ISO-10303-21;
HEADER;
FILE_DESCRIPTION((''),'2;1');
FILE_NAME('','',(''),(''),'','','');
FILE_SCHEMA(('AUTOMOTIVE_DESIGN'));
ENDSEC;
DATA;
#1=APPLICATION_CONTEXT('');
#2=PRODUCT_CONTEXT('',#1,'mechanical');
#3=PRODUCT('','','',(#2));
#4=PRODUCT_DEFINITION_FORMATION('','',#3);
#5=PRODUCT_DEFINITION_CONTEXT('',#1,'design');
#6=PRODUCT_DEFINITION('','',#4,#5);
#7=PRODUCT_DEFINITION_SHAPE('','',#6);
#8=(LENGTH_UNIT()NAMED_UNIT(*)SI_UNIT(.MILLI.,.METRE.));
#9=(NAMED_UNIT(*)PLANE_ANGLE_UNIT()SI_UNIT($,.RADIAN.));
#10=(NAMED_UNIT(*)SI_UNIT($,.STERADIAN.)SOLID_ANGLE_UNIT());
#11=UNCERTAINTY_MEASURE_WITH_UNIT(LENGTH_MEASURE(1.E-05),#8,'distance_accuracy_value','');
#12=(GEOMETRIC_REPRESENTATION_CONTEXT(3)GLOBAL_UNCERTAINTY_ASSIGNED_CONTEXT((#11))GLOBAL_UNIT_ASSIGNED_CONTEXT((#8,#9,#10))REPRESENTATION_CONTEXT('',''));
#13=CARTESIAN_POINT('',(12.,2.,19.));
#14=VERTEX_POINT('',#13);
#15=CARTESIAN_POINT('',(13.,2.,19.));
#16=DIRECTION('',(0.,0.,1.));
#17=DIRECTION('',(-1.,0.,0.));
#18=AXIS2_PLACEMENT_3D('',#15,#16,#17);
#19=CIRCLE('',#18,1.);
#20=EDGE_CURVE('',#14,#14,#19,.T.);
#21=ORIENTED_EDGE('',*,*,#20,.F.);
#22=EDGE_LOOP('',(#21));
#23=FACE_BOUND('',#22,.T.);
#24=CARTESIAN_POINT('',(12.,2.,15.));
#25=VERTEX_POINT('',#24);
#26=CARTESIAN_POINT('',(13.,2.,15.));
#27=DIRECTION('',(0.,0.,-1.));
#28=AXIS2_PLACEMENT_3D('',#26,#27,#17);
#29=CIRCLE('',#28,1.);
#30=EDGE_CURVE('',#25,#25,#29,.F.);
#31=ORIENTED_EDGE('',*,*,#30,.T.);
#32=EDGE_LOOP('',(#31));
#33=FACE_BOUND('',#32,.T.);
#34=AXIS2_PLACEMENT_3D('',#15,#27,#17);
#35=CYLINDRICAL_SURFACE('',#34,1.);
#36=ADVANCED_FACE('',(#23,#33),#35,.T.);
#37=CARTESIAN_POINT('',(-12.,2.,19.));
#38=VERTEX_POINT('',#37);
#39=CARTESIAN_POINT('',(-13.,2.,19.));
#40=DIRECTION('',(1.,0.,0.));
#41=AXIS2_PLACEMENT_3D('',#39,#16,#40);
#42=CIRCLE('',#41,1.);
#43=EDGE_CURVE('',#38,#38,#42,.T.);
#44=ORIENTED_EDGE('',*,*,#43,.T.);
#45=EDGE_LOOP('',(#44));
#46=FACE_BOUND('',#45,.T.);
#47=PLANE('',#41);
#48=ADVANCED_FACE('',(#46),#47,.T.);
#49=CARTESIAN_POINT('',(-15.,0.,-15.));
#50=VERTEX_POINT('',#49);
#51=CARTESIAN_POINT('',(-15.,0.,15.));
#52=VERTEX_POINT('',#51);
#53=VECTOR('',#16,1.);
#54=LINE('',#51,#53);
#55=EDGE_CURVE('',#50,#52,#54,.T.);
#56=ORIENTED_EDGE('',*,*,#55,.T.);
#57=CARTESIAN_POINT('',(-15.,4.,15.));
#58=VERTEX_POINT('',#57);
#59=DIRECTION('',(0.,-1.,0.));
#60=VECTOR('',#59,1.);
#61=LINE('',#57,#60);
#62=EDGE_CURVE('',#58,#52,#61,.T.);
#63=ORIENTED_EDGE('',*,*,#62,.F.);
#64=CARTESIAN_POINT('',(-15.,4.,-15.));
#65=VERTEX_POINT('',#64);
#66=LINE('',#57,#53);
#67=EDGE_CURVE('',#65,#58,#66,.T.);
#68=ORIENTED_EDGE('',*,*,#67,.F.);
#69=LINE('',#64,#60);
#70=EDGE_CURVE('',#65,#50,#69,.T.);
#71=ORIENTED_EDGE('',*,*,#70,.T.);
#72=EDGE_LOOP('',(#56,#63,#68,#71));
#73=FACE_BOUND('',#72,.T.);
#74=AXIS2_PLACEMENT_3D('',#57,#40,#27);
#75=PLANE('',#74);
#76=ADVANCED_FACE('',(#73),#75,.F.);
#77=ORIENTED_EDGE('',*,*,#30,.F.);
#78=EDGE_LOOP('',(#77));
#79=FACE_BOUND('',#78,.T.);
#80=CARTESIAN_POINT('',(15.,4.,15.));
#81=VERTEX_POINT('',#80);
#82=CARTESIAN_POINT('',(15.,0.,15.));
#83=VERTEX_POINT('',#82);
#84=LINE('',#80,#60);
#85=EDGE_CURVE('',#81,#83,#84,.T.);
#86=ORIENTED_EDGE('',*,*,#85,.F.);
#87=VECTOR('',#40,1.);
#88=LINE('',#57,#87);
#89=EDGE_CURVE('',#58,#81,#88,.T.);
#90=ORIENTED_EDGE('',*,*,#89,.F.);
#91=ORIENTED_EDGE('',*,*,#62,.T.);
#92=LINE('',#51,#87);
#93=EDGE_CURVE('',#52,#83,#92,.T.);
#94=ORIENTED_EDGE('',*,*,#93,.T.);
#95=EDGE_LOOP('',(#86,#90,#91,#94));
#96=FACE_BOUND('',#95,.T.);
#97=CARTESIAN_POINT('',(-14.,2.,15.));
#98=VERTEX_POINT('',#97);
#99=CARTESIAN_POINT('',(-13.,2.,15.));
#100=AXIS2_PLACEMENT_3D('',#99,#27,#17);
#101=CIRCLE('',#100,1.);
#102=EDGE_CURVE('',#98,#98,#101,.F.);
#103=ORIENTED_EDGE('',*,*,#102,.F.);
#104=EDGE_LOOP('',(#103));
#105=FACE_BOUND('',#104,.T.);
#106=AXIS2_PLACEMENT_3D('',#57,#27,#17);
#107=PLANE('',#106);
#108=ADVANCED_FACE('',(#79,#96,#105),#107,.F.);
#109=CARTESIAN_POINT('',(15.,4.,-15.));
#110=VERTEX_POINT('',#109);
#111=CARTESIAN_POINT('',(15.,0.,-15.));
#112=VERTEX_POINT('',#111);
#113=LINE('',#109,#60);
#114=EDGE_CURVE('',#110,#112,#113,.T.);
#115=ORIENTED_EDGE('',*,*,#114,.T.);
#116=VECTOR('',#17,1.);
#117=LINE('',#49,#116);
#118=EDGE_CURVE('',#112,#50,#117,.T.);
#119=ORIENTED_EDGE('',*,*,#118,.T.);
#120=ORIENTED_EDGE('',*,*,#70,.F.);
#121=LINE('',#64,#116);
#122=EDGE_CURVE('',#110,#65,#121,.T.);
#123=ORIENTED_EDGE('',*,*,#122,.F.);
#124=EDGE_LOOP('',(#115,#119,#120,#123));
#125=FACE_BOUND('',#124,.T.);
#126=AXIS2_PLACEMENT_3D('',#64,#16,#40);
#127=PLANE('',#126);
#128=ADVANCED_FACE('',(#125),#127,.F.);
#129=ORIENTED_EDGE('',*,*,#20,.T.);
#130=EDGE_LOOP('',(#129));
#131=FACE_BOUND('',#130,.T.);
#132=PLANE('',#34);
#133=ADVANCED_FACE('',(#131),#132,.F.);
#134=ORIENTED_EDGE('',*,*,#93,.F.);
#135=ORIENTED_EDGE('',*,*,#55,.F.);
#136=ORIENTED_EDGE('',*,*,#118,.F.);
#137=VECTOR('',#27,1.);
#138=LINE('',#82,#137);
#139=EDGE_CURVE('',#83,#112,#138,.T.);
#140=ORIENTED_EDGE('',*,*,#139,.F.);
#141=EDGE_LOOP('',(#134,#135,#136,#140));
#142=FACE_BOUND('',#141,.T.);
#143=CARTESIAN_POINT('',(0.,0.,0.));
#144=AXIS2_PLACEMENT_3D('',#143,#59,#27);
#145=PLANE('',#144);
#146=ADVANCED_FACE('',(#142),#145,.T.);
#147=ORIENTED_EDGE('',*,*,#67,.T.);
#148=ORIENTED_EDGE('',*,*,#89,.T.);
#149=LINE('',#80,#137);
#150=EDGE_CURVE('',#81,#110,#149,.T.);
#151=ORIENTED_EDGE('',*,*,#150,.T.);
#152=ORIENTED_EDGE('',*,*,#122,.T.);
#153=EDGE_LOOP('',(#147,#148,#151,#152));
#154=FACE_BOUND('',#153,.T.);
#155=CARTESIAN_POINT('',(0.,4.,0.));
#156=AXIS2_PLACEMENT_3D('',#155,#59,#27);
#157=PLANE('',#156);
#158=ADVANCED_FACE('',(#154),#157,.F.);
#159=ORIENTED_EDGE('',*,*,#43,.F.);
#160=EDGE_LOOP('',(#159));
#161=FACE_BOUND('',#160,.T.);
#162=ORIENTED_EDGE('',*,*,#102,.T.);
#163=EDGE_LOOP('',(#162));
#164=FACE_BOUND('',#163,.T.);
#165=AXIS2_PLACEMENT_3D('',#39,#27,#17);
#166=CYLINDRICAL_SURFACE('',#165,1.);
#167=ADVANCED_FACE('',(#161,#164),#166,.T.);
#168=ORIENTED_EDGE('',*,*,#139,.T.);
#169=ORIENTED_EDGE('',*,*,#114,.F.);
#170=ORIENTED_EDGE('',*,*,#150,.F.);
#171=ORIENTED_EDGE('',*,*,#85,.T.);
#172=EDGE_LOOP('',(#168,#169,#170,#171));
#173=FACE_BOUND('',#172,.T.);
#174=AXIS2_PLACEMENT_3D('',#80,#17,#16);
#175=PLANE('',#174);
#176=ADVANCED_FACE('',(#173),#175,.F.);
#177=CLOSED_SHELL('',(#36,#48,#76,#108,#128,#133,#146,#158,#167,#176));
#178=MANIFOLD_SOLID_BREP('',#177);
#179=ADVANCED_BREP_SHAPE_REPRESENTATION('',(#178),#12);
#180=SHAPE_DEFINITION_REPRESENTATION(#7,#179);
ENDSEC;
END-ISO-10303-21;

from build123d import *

# Parameters (mm, degrees)
SKETCH1_W           = 30
SKETCH1_H           = 30
BOSS_EXTRUDE1_DEPTH = 4
SKETCH2_R           = 1
BOSS_EXTRUDE2_DEPTH = 4


with BuildPart() as part:
    # Sketch1 → Boss-Extrude1 (new body)
    with BuildSketch(Plane(origin=(0, 0, 0), x_dir=(1, 0, 0), z_dir=(0, 1, 0))):
        Rectangle(SKETCH1_W, SKETCH1_H)
    extrude(amount=BOSS_EXTRUDE1_DEPTH)

    # Sketch2 → Boss-Extrude2 (add)
    with BuildSketch(Plane.XY.offset(15)):
        with Locations(Location((-13, 2, 0), (0, 0, 180))):
            Circle(SKETCH2_R)
        with Locations(Location((13, 2, 0), (0, 0, 180))):
            Circle(SKETCH2_R)
    extrude(amount=BOSS_EXTRUDE2_DEPTH)


solid = part.part
